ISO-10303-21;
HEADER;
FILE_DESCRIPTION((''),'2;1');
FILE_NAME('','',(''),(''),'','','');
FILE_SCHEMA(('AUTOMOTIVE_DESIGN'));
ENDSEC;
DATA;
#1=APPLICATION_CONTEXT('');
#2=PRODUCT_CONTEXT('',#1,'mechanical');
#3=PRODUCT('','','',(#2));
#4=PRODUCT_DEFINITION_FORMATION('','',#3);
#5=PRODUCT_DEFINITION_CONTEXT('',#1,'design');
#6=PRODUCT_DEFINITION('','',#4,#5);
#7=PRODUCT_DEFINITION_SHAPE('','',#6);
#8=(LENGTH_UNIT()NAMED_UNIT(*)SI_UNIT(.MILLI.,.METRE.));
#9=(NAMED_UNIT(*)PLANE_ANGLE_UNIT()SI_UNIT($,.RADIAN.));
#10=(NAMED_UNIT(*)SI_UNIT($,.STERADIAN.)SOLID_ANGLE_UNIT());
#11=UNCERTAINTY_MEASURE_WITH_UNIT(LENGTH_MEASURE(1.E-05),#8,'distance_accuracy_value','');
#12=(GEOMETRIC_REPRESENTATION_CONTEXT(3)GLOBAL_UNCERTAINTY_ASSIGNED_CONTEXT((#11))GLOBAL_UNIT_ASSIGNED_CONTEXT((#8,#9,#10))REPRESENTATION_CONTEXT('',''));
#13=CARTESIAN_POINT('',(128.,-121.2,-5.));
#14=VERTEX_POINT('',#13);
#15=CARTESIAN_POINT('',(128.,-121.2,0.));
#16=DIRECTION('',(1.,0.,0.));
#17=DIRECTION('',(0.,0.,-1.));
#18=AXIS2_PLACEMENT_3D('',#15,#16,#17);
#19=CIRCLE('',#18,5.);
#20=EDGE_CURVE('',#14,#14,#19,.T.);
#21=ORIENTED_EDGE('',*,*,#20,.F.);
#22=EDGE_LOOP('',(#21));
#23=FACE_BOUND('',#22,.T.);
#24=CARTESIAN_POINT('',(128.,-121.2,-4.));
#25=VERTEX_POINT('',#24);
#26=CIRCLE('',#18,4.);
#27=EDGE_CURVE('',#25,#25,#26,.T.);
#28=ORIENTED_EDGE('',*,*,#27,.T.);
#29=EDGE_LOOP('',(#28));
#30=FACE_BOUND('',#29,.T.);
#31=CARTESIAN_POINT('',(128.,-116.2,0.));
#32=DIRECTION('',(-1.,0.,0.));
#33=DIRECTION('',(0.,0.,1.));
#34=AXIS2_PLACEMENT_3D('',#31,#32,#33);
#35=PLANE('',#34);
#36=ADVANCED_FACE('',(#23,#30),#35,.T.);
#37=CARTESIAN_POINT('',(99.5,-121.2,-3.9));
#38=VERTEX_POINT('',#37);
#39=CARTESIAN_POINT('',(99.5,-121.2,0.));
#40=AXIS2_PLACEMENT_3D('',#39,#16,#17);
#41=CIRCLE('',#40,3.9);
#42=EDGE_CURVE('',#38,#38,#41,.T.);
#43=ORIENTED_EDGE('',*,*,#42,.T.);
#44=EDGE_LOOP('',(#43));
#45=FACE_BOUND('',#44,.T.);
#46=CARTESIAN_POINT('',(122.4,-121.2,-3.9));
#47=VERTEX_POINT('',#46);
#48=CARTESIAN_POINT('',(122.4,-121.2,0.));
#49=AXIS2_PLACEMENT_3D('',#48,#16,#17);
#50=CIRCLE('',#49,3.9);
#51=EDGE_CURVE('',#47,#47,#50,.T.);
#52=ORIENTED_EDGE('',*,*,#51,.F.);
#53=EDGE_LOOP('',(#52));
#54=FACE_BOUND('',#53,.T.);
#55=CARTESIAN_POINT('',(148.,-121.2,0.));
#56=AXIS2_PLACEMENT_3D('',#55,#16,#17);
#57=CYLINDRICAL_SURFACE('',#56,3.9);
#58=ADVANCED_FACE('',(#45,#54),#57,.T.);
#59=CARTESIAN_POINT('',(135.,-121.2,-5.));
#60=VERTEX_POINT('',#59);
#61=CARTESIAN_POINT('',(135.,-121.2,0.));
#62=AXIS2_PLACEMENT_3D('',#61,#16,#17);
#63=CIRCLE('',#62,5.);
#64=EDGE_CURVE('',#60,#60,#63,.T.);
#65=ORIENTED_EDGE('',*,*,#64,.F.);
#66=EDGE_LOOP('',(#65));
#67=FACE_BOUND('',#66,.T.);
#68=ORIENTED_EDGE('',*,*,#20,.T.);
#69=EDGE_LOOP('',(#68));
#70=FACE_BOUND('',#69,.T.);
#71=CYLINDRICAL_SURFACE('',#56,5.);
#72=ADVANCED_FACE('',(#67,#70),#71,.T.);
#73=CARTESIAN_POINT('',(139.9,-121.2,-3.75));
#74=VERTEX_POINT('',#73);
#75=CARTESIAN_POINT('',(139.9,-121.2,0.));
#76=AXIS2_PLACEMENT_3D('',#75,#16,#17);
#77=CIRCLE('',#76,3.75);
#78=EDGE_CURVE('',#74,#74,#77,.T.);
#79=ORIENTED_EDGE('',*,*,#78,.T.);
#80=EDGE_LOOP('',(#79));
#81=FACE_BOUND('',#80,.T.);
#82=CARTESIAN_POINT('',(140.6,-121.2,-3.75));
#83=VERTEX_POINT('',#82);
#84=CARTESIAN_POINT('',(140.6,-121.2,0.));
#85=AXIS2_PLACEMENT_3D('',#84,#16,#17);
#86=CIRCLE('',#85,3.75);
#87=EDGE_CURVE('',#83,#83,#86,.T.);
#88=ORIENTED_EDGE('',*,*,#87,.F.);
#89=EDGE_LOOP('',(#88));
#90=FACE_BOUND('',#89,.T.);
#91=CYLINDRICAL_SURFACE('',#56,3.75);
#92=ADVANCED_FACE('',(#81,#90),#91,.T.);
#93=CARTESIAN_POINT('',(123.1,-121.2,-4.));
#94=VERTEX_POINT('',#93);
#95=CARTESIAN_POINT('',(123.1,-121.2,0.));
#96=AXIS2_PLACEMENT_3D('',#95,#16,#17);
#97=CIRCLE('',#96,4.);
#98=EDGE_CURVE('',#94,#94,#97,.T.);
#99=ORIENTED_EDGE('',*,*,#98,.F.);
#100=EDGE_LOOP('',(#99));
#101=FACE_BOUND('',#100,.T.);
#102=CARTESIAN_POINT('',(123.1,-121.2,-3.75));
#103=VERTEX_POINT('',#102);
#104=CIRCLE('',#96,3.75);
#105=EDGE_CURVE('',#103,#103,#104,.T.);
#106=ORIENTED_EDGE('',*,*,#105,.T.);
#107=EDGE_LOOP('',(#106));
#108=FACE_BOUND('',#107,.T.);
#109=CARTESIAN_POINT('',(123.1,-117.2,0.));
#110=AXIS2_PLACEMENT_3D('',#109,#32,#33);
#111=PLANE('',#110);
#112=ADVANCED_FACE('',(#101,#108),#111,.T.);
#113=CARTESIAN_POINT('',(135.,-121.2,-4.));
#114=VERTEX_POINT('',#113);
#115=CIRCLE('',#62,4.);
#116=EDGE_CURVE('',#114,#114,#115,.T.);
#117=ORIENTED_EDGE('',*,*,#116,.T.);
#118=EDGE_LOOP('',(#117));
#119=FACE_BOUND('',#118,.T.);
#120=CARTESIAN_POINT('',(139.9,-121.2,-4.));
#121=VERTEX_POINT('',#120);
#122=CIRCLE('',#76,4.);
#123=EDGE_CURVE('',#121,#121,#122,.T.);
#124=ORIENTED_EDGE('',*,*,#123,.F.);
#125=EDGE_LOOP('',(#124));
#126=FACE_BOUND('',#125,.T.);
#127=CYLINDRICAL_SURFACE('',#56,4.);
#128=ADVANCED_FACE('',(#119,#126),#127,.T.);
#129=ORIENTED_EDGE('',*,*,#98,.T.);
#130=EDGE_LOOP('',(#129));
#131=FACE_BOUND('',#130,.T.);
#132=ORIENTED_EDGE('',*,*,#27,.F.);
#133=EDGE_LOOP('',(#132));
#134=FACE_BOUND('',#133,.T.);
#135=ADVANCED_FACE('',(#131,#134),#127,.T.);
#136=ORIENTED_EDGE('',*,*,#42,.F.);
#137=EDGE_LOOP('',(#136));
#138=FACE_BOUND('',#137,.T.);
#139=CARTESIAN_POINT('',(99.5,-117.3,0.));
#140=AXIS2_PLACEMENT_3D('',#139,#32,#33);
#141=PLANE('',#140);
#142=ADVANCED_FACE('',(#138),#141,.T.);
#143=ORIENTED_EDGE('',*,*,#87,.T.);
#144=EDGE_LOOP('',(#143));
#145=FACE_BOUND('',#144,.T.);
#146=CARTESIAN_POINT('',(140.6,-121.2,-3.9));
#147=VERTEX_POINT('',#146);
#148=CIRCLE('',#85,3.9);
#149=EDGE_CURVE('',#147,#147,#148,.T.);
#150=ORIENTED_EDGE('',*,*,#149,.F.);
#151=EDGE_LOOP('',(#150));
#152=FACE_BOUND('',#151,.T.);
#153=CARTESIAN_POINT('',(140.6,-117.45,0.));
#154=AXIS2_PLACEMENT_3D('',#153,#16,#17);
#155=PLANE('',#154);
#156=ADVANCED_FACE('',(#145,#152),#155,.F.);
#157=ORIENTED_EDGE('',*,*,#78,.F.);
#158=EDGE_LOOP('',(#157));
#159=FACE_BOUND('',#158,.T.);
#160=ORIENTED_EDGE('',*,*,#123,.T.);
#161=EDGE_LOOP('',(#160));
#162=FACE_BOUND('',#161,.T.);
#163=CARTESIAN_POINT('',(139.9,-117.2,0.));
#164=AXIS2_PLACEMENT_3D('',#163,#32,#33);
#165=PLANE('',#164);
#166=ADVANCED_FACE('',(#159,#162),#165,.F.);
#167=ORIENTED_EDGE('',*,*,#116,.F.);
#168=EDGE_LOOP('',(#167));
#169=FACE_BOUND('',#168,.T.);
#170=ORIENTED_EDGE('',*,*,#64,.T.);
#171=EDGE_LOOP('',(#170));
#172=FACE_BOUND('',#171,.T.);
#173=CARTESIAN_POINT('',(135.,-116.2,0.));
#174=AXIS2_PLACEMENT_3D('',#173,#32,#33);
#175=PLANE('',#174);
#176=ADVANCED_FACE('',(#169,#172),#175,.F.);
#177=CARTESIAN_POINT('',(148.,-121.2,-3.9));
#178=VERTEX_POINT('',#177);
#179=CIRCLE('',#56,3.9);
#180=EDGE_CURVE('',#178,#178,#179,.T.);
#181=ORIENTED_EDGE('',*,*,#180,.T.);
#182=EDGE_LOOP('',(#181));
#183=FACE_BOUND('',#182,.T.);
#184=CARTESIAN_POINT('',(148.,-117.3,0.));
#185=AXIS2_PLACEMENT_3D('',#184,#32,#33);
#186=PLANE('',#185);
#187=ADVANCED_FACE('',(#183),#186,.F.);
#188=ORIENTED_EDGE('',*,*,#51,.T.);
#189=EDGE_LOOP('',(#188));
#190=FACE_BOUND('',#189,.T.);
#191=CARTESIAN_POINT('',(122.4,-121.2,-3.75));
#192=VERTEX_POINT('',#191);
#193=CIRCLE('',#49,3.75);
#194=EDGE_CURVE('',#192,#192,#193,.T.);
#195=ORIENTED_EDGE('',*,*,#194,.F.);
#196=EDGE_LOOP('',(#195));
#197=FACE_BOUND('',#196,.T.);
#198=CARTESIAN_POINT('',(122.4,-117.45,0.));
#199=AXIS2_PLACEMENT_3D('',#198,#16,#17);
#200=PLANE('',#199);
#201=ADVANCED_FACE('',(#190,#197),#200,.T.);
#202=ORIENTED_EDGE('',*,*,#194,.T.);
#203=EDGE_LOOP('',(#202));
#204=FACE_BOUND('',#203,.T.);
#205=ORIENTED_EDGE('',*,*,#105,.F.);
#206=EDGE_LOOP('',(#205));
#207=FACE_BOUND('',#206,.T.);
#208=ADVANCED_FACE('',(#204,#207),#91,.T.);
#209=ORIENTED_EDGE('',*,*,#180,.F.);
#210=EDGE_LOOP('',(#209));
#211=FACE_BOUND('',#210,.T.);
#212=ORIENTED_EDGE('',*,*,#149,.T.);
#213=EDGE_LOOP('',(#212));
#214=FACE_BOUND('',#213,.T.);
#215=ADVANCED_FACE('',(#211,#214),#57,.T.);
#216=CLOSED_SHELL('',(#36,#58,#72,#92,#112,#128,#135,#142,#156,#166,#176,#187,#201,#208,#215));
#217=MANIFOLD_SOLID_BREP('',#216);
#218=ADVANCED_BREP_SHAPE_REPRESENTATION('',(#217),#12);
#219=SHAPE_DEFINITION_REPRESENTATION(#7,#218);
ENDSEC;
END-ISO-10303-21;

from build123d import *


with BuildPart() as part:
    # Sketch2 → Revolve1 (revolve)
    with BuildSketch(Plane.XY, mode=Mode.PRIVATE) as revolve1_sk:
        Polygon((128, -117.2), (123.1, -117.2), (123.1, -117.45), (122.4, -117.45), (122.4, -117.3), (115, -117.3), (99.5, -117.3), (99.5, -121.2), (108.5, -121.2), (115, -121.2), (148, -121.2), (148, -117.3), (140.6, -117.3), (140.6, -117.45), (139.9, -117.45), (139.9, -117.2), (135, -117.2), (135, -116.2), (128, -116.2), align=None)
    revolve(revolve1_sk.sketch.rotate(Axis((148, -121.2, 0), (-1, 0, 0)), 90), axis=Axis((148, -121.2, 0), (-1, 0, 0)))


solid = part.part
